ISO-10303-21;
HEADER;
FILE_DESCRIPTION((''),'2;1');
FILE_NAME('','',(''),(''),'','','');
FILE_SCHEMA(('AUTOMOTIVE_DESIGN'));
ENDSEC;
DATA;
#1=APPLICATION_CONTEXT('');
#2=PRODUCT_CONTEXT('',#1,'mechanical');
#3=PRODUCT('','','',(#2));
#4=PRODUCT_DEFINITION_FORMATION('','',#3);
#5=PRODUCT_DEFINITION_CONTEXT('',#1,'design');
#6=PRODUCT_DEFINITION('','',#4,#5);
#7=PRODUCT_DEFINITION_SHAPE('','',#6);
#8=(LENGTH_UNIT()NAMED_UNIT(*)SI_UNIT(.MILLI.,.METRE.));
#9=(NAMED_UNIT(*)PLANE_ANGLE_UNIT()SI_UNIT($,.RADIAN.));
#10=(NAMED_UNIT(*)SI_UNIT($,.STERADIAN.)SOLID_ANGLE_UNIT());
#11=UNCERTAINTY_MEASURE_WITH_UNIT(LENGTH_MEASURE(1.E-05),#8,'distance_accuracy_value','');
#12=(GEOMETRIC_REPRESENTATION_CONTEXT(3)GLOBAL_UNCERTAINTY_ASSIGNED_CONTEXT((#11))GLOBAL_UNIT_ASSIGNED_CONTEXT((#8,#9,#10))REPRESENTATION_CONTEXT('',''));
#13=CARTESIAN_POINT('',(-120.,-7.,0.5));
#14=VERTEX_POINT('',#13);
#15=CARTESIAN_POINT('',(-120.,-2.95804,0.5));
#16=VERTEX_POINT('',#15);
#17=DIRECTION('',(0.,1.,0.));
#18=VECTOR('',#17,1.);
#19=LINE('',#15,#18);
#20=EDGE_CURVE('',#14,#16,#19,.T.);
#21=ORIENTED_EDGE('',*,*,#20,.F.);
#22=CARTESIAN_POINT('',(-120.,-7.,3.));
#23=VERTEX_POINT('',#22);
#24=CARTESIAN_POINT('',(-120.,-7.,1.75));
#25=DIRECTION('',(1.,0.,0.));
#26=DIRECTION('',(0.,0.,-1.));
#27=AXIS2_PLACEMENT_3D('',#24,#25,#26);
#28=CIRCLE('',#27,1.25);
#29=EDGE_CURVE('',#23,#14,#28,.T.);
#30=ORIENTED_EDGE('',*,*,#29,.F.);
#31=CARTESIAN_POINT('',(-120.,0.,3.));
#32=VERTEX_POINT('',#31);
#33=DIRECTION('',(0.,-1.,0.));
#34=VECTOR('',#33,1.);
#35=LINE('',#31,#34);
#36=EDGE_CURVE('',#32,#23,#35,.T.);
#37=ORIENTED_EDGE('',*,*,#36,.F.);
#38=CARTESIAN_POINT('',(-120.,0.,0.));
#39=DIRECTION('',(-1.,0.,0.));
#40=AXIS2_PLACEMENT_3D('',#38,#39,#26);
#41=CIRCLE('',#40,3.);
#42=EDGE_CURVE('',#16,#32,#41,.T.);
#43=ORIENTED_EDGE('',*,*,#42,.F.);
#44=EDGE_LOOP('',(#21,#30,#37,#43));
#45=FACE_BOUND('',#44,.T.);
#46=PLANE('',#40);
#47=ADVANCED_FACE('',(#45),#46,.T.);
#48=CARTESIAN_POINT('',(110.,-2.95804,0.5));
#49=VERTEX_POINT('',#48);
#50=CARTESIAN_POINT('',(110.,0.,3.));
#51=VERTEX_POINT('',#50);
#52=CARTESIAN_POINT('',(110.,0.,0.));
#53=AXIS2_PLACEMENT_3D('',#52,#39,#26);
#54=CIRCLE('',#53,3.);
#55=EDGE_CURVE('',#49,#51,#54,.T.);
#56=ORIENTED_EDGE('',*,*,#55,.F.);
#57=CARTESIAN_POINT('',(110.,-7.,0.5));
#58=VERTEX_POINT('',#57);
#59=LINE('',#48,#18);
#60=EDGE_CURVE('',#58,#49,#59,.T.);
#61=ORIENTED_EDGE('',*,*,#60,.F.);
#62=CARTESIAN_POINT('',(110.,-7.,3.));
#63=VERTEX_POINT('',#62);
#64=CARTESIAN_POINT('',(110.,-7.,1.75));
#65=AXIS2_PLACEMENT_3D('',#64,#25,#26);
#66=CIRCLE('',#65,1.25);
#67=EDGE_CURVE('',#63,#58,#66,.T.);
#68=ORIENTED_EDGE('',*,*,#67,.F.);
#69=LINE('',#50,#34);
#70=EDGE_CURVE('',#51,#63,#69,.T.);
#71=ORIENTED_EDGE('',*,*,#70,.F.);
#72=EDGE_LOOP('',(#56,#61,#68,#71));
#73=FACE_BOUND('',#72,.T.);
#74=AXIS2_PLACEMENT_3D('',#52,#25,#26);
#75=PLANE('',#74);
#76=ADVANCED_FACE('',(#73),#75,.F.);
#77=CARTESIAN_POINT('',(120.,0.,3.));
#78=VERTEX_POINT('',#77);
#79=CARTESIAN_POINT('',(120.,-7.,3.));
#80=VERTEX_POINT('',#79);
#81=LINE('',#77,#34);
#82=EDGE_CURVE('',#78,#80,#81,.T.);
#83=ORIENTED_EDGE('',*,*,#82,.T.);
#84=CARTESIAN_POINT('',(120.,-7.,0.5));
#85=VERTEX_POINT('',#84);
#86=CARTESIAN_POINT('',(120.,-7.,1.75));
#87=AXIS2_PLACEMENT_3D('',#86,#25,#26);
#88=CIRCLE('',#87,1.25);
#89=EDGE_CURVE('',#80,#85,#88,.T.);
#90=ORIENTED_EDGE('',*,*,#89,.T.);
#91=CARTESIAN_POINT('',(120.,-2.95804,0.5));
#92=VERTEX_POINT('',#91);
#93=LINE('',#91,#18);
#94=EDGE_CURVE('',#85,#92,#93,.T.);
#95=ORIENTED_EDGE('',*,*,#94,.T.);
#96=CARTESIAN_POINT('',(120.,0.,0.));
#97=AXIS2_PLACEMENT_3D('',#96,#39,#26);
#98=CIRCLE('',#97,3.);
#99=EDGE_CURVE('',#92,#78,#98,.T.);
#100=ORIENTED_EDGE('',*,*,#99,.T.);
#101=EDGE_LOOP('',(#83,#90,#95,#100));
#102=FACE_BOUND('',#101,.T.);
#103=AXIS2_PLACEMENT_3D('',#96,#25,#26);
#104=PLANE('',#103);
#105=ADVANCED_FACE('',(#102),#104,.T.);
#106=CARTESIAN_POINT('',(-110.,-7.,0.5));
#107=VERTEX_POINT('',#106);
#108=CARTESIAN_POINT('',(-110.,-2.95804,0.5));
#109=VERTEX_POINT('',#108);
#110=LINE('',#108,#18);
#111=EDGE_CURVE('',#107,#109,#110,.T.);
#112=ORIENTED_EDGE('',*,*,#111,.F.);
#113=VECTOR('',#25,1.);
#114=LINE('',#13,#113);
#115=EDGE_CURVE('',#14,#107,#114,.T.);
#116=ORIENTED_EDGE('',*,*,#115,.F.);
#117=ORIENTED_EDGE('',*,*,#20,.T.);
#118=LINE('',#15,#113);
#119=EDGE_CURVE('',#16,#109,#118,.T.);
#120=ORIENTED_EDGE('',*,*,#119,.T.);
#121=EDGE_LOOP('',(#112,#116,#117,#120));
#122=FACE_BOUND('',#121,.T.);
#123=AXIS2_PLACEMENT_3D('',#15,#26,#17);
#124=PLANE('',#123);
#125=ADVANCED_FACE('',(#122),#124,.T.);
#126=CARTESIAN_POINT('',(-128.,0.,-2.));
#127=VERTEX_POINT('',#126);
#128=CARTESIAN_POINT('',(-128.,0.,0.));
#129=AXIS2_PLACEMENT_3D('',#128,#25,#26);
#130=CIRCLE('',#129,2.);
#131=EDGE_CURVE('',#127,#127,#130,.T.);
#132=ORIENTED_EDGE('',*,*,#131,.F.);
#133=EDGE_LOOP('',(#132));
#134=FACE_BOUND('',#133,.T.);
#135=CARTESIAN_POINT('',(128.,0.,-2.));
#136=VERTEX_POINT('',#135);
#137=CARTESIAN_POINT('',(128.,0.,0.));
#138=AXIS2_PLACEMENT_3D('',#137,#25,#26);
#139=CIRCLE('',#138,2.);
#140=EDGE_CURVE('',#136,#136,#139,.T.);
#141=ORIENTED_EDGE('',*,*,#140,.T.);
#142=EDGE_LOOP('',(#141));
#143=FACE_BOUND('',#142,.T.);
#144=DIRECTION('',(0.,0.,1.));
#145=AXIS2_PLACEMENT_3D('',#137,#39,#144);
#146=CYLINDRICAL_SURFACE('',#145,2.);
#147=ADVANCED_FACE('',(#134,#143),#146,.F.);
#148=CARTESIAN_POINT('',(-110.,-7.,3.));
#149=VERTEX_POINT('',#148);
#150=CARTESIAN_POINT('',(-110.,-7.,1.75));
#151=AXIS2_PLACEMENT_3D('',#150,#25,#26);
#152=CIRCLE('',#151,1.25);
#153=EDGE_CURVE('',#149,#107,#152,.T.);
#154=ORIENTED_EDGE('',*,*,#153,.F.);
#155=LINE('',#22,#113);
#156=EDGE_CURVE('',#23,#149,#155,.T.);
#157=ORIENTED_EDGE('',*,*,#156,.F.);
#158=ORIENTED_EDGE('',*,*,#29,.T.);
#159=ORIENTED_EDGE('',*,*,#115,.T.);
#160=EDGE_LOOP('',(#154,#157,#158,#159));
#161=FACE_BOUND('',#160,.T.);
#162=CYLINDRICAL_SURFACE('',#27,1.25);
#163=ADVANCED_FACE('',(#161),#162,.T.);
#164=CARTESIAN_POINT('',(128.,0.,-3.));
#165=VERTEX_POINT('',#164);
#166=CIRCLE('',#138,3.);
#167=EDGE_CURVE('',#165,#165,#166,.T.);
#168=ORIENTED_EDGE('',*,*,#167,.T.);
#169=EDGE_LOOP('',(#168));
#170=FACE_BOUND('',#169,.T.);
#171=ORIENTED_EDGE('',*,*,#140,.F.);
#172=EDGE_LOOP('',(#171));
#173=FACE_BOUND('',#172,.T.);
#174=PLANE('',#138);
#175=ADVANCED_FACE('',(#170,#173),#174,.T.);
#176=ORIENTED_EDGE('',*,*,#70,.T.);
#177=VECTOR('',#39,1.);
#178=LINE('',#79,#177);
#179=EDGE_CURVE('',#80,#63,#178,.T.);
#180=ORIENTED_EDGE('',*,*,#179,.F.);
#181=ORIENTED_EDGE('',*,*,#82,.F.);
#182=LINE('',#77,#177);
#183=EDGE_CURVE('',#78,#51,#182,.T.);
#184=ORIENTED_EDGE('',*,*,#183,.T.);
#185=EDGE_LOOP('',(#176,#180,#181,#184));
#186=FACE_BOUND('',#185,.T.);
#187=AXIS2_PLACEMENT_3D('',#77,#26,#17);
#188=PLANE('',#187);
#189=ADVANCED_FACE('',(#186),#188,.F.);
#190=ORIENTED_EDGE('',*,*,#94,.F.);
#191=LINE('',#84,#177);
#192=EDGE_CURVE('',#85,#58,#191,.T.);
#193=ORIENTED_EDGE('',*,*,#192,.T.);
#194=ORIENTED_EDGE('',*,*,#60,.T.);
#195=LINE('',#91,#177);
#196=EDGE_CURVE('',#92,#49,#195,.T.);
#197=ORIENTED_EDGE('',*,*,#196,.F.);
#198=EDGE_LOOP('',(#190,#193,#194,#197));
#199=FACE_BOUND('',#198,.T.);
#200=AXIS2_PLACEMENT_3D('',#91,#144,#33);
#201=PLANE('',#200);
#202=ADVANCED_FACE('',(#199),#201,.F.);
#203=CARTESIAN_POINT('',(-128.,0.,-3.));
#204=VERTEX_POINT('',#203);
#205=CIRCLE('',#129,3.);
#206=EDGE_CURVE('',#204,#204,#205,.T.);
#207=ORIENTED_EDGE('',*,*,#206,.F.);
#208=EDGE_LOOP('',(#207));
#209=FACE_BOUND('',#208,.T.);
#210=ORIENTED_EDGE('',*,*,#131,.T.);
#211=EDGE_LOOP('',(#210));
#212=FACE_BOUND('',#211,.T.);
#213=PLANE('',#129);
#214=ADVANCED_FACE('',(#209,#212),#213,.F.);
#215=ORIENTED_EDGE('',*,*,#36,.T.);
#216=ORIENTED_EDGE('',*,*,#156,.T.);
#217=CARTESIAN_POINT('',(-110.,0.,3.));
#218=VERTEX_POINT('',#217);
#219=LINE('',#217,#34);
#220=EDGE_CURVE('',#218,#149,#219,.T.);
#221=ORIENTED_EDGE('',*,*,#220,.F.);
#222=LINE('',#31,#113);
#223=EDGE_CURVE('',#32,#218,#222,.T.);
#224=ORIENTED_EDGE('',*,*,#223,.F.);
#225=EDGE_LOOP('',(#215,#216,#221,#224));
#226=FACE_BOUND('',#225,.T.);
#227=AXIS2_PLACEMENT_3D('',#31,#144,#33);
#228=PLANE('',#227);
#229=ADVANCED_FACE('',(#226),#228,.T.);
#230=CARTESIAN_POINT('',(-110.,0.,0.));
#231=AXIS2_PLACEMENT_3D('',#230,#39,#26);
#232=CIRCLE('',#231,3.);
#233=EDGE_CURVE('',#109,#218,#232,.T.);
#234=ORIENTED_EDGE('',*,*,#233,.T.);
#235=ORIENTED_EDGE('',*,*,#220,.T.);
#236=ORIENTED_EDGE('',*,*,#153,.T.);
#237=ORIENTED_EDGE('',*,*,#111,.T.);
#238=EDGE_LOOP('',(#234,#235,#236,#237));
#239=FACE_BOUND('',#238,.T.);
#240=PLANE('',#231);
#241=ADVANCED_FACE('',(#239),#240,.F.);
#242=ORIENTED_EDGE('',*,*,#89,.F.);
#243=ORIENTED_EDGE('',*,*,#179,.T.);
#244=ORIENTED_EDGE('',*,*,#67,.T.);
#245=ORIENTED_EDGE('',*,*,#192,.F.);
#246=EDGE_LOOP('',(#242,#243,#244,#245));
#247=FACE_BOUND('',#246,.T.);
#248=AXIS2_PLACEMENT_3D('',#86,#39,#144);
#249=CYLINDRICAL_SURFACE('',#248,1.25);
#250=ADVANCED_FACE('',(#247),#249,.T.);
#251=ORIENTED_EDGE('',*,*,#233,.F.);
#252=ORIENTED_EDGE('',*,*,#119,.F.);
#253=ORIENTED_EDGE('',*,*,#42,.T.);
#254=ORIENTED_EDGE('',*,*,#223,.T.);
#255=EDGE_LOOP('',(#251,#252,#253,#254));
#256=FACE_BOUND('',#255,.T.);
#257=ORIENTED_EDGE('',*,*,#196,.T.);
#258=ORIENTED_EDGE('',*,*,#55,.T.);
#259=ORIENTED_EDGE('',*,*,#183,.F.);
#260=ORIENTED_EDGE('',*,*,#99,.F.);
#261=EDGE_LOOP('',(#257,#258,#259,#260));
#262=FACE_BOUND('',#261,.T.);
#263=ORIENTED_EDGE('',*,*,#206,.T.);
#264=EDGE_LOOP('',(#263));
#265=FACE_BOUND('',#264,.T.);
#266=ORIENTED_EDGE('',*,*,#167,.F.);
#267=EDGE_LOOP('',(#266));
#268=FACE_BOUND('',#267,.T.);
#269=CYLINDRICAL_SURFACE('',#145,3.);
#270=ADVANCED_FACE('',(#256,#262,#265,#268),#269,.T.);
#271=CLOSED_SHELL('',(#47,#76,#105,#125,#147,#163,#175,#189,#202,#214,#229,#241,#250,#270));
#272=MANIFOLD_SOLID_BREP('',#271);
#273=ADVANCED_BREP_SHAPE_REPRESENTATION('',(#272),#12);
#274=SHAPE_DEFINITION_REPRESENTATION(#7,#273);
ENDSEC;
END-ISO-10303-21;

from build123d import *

# Parameters (mm, degrees)
SKETCH_1_R      = 3
SKETCH_1_R_2    = 2
EXTRUDE_1_DEPTH = 128
EXTRUDE_START   = 10
EXTRUDE_2_DEPTH = 10


with BuildPart() as part:
    # 草圖1 → 填料-伸長1 (new, symmetric)
    with BuildSketch(Plane(origin=(0, 0, 0), x_dir=(0, 0, -1), z_dir=(1, 0, 0))):
        Circle(SKETCH_1_R)
        Circle(SKETCH_1_R_2, mode=Mode.SUBTRACT)
    extrude(amount=EXTRUDE_1_DEPTH, both=True)

    # 草圖2 → 填料-伸長2 (add)
    with BuildSketch(Plane(origin=(110, 0, 0), x_dir=(0, 0, -1), z_dir=(1, 0, 0)).offset(EXTRUDE_START)):
        with BuildLine():
            Line((-3, 0), (-3, -7))
            ThreePointArc((-3, -7), (-1.75, -8.25), (-0.5, -7))
            Line((-0.5, -7), (-0.5, -2.958039892))
            ThreePointArc((-0.5, -2.958039892), (-2.291287847, -1.936491673), (-3, 0))
        make_face()
    extrude_2 = extrude(amount=-EXTRUDE_2_DEPTH)

    # 鏡射1: 填料-伸長2 across plane
    add(extrude_2.mirror(Plane(origin=(0, 0, 0), x_dir=(0, 0, 1), z_dir=(1, 0, 0))))


solid = part.part
